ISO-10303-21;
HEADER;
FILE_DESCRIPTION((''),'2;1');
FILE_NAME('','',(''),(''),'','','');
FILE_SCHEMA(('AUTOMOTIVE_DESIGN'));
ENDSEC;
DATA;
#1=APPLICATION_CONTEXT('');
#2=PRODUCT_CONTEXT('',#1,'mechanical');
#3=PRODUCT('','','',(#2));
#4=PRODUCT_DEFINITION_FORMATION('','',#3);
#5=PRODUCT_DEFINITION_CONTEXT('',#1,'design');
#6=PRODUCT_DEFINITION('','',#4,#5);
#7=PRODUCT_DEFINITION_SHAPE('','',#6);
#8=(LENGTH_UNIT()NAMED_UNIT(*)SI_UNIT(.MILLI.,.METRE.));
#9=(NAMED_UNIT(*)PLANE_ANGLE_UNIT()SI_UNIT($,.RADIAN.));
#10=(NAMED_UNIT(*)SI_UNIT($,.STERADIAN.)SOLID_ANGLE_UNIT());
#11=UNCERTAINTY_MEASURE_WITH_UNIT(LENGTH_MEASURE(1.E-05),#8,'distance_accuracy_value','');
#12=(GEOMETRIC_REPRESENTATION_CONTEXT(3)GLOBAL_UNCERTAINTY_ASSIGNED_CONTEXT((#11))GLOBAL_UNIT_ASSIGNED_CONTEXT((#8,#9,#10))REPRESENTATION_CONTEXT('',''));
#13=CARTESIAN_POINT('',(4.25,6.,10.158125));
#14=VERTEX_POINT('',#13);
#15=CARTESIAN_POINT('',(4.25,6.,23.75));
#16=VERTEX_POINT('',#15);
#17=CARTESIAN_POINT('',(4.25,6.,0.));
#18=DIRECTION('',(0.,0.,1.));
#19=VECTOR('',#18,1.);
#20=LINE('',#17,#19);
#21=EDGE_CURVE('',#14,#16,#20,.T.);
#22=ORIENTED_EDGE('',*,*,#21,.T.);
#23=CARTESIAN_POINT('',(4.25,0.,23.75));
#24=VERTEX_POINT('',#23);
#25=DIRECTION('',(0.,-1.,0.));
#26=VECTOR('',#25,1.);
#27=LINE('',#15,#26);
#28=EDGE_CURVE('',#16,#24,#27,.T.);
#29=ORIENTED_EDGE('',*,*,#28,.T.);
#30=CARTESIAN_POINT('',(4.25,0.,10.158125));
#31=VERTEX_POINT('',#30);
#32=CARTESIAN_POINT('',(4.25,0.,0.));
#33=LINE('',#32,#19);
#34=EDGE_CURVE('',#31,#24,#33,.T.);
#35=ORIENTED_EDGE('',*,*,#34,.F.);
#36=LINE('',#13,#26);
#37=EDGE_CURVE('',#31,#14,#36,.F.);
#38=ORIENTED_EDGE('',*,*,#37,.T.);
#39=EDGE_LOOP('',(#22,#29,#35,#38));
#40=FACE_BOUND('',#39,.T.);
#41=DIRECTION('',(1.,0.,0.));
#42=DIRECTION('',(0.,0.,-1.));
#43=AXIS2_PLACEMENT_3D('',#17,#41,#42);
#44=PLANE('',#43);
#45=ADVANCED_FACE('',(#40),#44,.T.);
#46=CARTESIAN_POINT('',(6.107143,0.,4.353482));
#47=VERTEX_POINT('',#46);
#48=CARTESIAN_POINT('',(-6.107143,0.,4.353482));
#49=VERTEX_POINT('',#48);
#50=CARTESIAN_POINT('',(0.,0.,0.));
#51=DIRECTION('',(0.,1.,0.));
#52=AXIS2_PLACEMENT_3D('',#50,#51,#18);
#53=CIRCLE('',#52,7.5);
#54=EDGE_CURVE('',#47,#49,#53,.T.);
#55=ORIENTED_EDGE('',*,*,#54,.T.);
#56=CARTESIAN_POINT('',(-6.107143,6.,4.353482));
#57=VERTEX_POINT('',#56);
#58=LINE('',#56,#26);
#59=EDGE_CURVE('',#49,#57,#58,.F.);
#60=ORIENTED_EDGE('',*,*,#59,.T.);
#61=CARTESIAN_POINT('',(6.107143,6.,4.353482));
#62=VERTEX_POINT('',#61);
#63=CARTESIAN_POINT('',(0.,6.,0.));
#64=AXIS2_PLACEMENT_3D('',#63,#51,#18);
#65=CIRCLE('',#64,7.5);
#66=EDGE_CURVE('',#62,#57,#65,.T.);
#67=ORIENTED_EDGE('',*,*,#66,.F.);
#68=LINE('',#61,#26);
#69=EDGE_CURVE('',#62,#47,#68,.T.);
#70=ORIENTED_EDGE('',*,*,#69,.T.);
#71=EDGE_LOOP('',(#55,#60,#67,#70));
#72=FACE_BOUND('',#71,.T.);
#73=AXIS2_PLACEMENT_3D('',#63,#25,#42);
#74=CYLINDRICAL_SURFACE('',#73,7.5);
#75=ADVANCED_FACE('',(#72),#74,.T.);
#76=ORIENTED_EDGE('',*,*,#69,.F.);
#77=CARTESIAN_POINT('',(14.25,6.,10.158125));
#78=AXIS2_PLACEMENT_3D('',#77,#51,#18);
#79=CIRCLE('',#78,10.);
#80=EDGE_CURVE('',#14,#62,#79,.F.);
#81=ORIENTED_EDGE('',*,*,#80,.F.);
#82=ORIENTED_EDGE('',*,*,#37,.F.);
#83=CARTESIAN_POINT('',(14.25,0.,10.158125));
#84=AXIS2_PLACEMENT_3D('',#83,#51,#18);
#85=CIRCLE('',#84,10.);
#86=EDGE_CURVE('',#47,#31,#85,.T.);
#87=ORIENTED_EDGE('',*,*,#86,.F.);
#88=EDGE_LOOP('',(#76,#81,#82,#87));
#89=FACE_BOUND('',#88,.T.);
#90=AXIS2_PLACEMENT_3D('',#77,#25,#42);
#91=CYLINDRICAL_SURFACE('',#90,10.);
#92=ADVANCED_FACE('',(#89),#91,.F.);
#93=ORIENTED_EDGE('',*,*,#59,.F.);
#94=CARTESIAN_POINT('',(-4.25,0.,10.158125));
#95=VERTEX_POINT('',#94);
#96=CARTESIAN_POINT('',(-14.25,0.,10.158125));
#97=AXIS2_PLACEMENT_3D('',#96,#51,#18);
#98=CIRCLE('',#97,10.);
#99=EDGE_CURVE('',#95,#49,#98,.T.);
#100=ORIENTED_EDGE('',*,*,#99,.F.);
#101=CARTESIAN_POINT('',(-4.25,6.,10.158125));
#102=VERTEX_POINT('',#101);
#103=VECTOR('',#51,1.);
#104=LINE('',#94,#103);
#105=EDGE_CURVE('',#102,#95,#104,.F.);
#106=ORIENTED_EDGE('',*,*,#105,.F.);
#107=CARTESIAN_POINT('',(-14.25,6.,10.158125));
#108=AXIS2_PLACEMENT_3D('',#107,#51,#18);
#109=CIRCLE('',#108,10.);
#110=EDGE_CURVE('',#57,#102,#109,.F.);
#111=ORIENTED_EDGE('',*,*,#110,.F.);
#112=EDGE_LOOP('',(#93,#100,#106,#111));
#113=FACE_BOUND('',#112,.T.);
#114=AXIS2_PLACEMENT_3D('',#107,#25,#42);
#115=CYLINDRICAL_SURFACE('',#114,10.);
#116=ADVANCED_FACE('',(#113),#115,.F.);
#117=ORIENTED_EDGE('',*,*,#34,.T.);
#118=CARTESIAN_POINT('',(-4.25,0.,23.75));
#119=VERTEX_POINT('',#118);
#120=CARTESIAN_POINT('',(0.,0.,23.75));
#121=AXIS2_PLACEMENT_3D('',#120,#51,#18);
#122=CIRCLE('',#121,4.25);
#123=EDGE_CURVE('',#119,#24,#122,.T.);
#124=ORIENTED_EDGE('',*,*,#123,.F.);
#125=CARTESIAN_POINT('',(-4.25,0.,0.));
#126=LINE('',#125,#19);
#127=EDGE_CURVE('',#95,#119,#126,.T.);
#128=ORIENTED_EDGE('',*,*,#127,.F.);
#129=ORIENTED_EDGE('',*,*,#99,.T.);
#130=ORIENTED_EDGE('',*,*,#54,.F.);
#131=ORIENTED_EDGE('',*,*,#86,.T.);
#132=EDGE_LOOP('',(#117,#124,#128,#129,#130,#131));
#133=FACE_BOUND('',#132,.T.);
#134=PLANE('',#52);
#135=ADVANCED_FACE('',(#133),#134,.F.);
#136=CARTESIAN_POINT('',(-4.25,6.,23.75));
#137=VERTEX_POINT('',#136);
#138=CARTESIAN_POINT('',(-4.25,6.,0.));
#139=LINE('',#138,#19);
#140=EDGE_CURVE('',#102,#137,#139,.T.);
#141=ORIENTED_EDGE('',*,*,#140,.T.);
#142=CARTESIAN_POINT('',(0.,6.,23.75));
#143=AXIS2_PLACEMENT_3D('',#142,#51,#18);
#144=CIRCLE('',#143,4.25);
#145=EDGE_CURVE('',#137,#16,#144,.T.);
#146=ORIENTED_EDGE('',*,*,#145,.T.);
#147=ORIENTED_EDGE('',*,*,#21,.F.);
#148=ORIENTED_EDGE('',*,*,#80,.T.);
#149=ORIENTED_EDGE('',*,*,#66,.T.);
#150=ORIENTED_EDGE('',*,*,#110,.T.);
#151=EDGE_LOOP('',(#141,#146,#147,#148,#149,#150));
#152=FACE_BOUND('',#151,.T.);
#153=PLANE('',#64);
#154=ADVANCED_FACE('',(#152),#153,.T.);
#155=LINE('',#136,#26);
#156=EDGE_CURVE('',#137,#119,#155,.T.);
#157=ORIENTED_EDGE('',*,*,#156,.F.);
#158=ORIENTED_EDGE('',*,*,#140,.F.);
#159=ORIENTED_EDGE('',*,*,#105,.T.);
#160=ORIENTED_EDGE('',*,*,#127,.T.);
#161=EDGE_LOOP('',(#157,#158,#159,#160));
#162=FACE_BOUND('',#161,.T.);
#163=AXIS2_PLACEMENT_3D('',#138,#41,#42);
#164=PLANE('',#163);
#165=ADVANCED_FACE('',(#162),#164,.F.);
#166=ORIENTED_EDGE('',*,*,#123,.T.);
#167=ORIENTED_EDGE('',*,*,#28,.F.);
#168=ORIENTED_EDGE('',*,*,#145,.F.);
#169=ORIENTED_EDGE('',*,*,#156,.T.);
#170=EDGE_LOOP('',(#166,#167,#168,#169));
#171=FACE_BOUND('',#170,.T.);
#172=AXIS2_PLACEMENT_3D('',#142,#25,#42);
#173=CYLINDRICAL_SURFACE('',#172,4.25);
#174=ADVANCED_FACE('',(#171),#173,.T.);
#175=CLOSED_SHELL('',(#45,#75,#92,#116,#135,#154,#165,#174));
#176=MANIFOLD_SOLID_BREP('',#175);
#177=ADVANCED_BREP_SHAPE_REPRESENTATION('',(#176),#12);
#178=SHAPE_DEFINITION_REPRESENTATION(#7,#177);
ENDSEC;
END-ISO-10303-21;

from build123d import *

# Parameters (mm, degrees)
SKETCH1_R           = 7.5
BOSS_EXTRUDE1_DEPTH = 6
FILLET1_R           = 10


with BuildPart() as part:
    # Sketch1 → Boss-Extrude1 (new body)
    with BuildSketch(Plane(origin=(0, 0, 0), x_dir=(1, 0, 0), z_dir=(0, 1, 0))):
        Circle(SKETCH1_R)
        with BuildLine():
            Line((-4.25, 0), (-4.25, -23.75))
            ThreePointArc((-4.25, -23.75), (0, -28), (4.25, -23.75))
            Line((4.25, -23.75), (4.25, 0))
            ThreePointArc((4.25, 0), (0, 4.25), (-4.25, 0))
        make_face()
    extrude(amount=BOSS_EXTRUDE1_DEPTH)

    # Fillet1
    fillet1_edges = [part.edges().sort_by_distance(p)[0] for p in [
        (4.25, 3, 6.179603547),
        (-4.25, 3, 6.179603547),
    ]]
    fillet(fillet1_edges, radius=FILLET1_R)


solid = part.part
